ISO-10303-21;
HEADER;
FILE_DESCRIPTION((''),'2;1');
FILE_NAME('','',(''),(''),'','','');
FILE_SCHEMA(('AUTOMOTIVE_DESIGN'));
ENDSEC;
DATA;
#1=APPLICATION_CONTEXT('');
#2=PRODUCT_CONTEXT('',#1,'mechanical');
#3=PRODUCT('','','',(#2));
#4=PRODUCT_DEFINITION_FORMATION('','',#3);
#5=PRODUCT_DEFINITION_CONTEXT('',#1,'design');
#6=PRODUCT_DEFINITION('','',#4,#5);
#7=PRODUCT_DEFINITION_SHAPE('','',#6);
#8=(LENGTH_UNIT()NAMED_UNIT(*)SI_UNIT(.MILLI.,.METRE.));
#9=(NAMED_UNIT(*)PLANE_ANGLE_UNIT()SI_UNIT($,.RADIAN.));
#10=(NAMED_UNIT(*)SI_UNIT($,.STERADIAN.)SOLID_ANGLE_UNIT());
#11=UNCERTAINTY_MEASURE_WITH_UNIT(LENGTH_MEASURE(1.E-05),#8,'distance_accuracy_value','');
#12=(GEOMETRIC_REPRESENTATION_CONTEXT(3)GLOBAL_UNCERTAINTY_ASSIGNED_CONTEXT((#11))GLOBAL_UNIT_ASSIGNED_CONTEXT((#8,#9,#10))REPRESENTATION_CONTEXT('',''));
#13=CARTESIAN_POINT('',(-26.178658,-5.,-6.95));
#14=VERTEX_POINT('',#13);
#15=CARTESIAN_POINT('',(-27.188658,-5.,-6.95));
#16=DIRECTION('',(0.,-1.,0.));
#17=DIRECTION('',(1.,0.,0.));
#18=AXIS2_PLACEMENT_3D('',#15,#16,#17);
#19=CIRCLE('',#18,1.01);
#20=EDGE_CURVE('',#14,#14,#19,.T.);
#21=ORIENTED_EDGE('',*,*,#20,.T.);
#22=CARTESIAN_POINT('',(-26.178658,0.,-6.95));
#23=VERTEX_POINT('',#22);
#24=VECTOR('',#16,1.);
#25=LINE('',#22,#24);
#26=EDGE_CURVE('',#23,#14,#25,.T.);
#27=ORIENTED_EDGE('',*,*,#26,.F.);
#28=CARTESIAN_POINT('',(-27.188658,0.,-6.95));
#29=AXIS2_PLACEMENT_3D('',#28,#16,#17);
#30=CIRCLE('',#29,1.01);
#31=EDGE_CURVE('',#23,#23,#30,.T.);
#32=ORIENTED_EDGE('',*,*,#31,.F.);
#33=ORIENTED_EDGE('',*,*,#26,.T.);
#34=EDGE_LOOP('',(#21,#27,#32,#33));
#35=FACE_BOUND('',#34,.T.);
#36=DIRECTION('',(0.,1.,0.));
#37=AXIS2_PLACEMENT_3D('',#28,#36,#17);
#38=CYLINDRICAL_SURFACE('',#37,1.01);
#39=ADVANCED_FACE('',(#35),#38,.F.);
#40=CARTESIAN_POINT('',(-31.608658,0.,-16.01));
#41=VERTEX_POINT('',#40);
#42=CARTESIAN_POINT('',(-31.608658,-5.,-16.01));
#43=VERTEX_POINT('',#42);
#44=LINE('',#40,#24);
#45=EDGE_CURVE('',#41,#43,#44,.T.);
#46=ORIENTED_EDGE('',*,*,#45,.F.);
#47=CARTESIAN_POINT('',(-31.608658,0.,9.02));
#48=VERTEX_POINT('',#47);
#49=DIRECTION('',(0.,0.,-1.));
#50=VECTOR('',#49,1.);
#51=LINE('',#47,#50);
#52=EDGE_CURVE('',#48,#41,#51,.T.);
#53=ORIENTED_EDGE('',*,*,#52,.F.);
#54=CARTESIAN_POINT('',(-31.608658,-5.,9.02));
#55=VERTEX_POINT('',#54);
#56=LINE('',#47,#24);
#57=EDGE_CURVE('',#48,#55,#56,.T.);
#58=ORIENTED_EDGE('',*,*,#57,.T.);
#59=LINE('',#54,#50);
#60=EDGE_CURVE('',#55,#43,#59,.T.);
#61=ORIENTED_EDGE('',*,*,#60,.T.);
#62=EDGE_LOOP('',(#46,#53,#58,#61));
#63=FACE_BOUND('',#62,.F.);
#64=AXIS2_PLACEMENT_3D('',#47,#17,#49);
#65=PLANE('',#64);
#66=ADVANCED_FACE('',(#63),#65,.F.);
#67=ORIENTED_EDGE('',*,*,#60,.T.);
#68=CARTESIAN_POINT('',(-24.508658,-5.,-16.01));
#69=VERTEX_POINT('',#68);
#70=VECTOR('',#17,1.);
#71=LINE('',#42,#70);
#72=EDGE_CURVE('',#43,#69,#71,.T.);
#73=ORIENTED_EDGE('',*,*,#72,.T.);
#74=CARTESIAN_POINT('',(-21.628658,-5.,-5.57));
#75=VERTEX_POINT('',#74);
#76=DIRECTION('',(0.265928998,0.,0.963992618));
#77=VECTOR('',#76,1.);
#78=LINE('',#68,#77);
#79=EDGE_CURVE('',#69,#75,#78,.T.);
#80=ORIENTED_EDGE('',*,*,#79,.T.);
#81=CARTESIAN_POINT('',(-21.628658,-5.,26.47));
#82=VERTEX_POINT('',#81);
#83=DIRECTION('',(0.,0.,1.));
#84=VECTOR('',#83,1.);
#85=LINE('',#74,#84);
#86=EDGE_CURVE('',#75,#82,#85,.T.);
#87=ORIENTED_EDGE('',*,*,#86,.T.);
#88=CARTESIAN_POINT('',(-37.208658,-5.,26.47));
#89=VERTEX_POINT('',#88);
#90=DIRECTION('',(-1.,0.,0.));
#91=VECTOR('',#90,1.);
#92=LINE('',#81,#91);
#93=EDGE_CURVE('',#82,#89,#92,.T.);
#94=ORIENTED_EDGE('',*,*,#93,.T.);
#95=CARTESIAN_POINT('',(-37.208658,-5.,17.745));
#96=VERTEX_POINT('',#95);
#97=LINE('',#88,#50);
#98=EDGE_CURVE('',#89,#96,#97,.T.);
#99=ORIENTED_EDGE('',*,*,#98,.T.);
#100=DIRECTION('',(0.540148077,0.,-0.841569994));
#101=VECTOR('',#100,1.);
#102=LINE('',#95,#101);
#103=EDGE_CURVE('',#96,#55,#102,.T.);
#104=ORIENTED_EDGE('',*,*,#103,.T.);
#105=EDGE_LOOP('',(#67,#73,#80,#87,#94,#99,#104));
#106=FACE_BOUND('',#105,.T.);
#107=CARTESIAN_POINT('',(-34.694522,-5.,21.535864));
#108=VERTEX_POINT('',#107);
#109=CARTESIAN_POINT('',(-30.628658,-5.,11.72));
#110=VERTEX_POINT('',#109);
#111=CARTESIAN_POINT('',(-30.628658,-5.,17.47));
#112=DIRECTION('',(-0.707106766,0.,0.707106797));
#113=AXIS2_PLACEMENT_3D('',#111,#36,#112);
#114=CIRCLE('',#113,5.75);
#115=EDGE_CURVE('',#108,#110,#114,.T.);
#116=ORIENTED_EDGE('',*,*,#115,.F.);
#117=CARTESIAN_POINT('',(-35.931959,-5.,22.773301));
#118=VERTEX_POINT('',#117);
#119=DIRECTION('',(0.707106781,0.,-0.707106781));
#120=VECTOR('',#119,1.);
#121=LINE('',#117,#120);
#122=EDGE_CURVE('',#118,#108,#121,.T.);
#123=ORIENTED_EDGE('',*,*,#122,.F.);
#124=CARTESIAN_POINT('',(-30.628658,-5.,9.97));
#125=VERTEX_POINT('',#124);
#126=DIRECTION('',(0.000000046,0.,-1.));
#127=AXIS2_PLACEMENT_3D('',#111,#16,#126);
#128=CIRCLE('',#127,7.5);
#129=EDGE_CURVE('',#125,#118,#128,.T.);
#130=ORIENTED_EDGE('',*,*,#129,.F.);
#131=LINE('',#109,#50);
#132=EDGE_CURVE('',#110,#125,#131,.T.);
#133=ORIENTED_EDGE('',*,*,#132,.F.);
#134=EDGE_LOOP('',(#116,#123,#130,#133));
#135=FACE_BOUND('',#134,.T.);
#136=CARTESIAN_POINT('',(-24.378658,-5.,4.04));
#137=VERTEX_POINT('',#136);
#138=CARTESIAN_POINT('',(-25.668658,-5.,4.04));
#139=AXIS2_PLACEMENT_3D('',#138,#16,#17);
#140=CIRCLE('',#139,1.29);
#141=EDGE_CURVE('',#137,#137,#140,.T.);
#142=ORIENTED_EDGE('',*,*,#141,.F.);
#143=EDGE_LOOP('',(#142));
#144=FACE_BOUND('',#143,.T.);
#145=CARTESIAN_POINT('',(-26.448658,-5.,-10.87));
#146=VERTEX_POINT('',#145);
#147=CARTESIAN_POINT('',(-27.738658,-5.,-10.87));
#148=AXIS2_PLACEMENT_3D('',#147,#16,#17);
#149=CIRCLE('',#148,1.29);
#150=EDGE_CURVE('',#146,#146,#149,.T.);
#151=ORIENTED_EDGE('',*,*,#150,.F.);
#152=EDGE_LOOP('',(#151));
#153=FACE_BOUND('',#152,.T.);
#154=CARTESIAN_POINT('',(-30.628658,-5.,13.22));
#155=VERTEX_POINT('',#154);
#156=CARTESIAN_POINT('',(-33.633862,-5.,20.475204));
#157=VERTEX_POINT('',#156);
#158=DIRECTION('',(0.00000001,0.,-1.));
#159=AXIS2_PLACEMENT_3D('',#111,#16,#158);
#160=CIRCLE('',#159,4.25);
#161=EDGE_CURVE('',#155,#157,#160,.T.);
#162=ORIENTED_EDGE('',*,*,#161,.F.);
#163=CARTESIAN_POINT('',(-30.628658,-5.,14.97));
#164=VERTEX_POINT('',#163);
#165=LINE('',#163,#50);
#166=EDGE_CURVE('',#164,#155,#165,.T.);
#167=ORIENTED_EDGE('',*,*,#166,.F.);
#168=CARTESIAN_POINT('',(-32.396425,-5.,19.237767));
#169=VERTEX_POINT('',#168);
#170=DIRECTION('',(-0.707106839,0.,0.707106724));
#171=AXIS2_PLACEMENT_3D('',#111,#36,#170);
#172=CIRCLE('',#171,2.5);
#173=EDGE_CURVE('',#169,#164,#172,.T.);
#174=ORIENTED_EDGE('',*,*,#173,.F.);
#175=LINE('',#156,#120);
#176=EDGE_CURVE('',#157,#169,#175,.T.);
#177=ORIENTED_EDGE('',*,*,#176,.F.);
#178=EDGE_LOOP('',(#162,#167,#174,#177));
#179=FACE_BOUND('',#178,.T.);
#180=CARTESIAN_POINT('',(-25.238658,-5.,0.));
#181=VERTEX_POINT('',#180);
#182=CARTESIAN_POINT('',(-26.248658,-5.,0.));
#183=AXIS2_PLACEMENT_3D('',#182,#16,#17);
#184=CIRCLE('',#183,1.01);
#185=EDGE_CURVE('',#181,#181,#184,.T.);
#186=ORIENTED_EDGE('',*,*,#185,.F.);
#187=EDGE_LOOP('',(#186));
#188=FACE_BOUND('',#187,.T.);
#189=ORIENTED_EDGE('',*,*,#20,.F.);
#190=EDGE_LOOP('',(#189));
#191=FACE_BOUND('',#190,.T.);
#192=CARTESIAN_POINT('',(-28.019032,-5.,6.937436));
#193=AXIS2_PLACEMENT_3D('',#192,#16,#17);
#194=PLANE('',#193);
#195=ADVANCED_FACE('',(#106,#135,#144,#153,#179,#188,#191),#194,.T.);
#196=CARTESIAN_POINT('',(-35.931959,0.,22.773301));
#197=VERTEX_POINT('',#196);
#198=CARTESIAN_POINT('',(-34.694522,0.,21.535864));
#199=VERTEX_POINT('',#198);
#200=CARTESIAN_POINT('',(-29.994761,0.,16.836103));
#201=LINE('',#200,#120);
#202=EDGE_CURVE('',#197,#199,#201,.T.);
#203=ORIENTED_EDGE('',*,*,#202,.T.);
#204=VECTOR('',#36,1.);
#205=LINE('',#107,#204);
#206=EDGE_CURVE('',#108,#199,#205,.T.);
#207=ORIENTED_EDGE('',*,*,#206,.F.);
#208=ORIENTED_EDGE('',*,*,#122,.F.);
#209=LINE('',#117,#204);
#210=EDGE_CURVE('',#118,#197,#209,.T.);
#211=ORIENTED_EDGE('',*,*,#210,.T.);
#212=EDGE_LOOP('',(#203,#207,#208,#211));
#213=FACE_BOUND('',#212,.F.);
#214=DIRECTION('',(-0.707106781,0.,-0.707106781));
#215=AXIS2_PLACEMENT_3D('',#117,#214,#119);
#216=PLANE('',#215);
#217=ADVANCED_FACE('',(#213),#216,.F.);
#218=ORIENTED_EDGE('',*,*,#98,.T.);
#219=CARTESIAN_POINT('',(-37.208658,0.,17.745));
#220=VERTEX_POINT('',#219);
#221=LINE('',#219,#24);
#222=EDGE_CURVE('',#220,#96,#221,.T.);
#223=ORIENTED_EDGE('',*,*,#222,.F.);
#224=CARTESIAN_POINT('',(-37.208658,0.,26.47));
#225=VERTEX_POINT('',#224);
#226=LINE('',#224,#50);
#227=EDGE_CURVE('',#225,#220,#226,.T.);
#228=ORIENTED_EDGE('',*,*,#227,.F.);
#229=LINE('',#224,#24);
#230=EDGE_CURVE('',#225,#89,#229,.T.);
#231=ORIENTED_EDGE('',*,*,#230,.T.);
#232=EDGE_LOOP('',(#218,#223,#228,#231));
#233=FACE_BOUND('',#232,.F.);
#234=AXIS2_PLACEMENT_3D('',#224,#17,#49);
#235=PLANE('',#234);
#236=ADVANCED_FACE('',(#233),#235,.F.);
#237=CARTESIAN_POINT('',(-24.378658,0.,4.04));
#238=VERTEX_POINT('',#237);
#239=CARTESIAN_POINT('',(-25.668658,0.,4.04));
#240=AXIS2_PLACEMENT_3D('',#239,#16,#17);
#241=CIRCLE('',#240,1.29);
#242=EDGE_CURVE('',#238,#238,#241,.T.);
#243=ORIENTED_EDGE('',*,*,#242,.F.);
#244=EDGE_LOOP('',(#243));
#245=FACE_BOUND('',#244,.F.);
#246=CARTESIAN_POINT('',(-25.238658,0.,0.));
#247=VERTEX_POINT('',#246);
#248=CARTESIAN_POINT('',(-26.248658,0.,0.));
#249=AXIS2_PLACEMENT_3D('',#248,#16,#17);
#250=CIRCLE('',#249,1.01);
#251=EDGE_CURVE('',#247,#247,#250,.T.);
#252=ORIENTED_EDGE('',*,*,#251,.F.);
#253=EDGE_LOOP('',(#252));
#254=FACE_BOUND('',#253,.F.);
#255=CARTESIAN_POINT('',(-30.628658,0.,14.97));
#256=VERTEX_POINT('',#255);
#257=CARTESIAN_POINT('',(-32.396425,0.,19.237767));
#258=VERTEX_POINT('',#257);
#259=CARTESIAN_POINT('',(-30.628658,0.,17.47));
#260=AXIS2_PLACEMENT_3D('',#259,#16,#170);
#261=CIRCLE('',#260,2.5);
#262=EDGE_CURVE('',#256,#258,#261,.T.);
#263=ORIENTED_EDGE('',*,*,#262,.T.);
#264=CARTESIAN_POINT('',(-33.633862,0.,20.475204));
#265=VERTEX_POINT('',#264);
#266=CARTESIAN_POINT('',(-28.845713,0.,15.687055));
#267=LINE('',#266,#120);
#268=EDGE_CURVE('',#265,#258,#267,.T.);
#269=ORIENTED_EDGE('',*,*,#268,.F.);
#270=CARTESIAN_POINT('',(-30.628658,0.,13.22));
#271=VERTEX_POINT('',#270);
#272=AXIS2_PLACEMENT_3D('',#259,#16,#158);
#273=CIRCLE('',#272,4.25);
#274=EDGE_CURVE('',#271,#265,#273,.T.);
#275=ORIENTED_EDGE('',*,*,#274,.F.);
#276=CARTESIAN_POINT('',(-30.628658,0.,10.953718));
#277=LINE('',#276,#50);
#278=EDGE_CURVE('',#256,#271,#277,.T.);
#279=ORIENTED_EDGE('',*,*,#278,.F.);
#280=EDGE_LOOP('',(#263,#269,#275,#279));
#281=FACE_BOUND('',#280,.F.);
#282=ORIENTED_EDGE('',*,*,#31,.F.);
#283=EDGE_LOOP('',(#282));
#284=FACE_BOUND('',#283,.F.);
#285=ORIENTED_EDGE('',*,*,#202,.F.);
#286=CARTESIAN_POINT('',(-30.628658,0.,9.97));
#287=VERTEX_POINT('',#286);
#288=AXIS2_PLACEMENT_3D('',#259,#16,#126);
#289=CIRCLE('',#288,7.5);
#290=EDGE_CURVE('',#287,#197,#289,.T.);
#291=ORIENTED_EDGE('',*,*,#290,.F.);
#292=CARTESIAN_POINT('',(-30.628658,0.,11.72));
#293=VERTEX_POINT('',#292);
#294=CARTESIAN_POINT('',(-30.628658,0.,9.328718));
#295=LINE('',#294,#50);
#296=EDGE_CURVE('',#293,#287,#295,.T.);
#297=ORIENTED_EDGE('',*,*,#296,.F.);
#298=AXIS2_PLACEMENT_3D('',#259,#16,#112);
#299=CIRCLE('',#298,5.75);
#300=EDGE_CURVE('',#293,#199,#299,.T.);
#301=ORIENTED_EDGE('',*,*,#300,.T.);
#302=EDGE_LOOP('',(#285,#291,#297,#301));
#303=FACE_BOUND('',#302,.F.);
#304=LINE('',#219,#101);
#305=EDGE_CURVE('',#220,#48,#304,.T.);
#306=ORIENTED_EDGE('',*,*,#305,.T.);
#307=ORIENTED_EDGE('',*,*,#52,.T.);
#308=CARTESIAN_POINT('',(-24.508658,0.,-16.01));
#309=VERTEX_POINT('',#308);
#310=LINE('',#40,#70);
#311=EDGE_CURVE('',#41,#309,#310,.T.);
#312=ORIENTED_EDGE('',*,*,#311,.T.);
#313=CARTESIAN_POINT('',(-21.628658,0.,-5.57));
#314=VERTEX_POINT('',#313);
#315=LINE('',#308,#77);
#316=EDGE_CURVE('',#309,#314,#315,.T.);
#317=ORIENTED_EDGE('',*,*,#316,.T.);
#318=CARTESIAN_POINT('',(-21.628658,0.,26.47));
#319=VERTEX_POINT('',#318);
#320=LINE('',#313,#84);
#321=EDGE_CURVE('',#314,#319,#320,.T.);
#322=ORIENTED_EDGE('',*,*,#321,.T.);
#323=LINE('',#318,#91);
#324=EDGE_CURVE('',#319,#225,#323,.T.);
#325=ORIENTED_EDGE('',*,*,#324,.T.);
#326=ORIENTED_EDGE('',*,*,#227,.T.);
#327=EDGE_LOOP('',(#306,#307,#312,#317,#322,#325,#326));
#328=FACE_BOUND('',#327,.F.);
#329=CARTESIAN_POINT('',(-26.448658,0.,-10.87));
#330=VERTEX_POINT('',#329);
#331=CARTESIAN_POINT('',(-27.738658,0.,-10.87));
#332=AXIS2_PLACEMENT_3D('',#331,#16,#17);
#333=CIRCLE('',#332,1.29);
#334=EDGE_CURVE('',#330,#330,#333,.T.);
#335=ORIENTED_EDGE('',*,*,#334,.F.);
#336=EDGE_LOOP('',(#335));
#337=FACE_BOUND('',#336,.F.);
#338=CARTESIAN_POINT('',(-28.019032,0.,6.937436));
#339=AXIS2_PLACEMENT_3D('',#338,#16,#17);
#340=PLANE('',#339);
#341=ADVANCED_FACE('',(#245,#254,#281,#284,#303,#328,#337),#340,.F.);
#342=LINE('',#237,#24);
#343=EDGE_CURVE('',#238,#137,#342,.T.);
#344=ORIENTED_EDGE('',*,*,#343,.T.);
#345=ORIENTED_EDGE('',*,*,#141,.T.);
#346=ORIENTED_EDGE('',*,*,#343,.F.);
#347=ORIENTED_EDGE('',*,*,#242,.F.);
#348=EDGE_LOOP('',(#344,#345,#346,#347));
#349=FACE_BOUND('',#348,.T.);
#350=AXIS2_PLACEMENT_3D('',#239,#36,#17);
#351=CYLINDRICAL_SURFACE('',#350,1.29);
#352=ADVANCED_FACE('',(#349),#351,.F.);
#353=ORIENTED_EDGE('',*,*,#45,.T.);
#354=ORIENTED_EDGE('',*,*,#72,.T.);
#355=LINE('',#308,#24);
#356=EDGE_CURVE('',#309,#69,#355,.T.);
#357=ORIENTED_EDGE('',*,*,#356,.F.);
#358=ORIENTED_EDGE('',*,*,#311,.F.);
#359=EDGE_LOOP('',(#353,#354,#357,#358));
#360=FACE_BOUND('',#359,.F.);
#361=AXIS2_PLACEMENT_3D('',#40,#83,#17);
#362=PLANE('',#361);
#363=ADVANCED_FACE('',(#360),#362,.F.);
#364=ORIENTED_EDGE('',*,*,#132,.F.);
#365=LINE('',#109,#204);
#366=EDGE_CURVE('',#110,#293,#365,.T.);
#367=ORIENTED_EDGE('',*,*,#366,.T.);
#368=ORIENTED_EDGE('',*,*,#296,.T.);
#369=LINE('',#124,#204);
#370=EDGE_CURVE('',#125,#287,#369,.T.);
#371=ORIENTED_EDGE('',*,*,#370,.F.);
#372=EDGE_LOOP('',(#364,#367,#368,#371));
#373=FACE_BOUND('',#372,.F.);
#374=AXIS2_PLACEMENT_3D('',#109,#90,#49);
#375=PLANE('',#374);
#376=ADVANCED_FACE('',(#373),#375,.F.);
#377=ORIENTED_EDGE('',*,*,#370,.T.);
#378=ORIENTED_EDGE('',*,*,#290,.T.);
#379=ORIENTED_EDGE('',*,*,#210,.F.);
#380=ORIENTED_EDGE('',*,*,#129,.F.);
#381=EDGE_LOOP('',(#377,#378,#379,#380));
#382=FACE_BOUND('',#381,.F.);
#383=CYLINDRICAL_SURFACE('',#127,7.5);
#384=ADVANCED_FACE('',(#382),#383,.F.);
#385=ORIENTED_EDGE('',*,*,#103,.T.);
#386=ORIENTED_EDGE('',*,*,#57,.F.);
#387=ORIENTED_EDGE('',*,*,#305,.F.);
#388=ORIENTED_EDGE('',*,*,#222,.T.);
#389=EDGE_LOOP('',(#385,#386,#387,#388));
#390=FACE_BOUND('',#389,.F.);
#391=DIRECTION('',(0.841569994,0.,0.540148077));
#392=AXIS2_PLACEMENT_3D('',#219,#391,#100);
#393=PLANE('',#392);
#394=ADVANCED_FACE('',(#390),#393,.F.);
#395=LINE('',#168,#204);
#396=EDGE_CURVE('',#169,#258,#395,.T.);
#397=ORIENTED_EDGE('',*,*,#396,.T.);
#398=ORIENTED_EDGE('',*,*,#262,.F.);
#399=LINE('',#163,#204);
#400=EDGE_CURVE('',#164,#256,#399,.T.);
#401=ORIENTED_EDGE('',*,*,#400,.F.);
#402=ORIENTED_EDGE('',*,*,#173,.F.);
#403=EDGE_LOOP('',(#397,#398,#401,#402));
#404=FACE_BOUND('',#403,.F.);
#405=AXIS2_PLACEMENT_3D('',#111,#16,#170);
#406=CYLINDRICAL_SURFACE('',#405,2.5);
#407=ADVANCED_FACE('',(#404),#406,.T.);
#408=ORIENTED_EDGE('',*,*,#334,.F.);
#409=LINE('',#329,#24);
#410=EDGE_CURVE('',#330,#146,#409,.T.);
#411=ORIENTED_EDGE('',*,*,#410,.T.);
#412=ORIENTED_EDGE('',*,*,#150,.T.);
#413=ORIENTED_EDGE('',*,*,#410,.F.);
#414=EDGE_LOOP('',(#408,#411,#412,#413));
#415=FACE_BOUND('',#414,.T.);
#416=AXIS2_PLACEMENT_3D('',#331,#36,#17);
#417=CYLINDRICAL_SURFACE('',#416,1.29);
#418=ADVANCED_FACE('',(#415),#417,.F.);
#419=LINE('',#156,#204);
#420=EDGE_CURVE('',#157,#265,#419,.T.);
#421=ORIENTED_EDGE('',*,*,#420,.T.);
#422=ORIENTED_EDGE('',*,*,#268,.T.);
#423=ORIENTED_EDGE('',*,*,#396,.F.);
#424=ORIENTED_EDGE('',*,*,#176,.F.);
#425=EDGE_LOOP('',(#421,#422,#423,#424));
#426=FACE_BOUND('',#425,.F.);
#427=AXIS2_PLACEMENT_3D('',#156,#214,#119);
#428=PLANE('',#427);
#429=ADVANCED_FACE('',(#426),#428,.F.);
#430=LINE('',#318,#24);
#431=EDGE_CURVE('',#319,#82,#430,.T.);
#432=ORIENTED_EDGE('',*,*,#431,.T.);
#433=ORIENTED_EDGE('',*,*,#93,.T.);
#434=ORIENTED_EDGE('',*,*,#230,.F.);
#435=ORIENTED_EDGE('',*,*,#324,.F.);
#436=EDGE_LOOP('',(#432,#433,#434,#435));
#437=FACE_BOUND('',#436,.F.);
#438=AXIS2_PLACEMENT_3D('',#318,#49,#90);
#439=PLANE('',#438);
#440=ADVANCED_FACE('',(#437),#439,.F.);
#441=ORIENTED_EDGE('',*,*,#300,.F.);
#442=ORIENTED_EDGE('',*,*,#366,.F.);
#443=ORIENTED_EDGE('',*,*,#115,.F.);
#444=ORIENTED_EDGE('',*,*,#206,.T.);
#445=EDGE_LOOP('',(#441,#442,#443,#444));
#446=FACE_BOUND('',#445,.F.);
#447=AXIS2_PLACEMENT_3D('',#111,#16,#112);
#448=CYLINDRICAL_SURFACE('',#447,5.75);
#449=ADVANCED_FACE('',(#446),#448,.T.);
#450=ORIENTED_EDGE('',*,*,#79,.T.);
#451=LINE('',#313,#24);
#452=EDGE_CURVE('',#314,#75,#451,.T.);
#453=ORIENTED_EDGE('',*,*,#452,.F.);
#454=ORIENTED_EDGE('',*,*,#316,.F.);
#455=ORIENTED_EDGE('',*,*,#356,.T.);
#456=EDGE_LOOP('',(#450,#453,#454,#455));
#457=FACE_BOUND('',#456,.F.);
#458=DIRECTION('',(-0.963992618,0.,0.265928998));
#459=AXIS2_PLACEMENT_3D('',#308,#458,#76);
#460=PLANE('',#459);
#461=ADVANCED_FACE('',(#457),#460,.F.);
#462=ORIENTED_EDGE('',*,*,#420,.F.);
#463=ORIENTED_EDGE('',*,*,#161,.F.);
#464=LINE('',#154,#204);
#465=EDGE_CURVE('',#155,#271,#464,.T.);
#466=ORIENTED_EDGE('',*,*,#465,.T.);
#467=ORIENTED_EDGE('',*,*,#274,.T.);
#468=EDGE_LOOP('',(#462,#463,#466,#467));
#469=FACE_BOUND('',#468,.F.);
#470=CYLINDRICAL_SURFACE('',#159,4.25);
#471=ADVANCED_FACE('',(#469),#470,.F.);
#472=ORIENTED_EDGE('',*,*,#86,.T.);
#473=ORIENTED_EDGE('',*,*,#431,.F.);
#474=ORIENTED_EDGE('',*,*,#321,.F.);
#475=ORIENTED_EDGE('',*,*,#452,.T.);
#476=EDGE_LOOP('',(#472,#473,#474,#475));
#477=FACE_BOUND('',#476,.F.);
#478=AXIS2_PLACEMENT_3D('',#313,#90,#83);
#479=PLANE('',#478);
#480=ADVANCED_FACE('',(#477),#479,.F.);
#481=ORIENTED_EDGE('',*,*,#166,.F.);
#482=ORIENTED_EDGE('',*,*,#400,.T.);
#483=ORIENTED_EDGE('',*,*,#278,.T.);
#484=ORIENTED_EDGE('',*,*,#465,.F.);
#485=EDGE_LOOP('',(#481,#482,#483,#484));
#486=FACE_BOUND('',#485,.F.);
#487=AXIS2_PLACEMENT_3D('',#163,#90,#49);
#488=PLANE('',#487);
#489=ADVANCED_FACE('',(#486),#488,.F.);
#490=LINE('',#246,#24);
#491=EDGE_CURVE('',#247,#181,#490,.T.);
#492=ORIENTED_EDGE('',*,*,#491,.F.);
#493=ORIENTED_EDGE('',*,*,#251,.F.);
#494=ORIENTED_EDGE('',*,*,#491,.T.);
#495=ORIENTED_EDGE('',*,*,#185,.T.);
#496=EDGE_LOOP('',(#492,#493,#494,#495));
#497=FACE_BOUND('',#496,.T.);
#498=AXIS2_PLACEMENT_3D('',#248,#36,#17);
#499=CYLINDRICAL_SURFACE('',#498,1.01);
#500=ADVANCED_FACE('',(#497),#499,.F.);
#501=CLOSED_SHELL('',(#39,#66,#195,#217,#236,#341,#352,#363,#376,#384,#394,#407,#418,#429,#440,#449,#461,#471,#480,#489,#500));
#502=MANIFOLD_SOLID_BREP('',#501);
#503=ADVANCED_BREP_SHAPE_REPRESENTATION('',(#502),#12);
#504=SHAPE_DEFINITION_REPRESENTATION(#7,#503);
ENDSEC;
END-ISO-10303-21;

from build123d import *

# Parameters (mm, degrees)
F0_R     = 1.29
F0_R_2   = 1.01
F1_DEPTH = 5
F3_DEPTH = 5.001


with BuildPart() as f1:
    # F0 (on Front) → F1 (new body)
    with BuildSketch(Plane.XZ):
        Polygon((-21.628658, 26.47), (-37.208658, 26.47), (-37.208658, 17.745), (-31.608658, 9.02), (-31.608658, -16.01), (-24.508658, -16.01), (-21.628658, -5.57), align=None)
        with Locations((-27.738658, -10.87)):
            Circle(F0_R, mode=Mode.SUBTRACT)
        with Locations((-27.188658, -6.95)):
            Circle(F0_R_2, mode=Mode.SUBTRACT)
        with Locations((-26.248658, 0)):
            Circle(F0_R_2, mode=Mode.SUBTRACT)
        with Locations((-25.668658, 4.04)):
            Circle(F0_R, mode=Mode.SUBTRACT)
    extrude(amount=F1_DEPTH)

    # F2 (on face) → F3 (cut, through all)
    with BuildSketch(Plane.XZ.offset(5)):
        with BuildLine():
            ThreePointArc((-32.396425, 19.237767), (-28.318959, 18.426709), (-30.628658, 14.97))
            Line((-30.628658, 14.97), (-30.628658, 13.22))
            ThreePointArc((-30.628658, 13.22), (-26.70217, 19.096405), (-33.633862, 20.475204))
            Line((-33.633862, 20.475204), (-32.396425, 19.237767))
        make_face()
        with BuildLine():
            ThreePointArc((-34.694522, 21.535864), (-25.316351, 19.67043), (-30.628658, 11.72))
            Line((-30.628658, 11.72), (-30.628658, 9.97))
            ThreePointArc((-30.628658, 9.97), (-23.699562, 20.340126), (-35.931959, 22.773301))
            Line((-35.931959, 22.773301), (-34.694522, 21.535864))
        make_face()
    extrude(amount=-F3_DEPTH, mode=Mode.SUBTRACT)


solid = f1.part
